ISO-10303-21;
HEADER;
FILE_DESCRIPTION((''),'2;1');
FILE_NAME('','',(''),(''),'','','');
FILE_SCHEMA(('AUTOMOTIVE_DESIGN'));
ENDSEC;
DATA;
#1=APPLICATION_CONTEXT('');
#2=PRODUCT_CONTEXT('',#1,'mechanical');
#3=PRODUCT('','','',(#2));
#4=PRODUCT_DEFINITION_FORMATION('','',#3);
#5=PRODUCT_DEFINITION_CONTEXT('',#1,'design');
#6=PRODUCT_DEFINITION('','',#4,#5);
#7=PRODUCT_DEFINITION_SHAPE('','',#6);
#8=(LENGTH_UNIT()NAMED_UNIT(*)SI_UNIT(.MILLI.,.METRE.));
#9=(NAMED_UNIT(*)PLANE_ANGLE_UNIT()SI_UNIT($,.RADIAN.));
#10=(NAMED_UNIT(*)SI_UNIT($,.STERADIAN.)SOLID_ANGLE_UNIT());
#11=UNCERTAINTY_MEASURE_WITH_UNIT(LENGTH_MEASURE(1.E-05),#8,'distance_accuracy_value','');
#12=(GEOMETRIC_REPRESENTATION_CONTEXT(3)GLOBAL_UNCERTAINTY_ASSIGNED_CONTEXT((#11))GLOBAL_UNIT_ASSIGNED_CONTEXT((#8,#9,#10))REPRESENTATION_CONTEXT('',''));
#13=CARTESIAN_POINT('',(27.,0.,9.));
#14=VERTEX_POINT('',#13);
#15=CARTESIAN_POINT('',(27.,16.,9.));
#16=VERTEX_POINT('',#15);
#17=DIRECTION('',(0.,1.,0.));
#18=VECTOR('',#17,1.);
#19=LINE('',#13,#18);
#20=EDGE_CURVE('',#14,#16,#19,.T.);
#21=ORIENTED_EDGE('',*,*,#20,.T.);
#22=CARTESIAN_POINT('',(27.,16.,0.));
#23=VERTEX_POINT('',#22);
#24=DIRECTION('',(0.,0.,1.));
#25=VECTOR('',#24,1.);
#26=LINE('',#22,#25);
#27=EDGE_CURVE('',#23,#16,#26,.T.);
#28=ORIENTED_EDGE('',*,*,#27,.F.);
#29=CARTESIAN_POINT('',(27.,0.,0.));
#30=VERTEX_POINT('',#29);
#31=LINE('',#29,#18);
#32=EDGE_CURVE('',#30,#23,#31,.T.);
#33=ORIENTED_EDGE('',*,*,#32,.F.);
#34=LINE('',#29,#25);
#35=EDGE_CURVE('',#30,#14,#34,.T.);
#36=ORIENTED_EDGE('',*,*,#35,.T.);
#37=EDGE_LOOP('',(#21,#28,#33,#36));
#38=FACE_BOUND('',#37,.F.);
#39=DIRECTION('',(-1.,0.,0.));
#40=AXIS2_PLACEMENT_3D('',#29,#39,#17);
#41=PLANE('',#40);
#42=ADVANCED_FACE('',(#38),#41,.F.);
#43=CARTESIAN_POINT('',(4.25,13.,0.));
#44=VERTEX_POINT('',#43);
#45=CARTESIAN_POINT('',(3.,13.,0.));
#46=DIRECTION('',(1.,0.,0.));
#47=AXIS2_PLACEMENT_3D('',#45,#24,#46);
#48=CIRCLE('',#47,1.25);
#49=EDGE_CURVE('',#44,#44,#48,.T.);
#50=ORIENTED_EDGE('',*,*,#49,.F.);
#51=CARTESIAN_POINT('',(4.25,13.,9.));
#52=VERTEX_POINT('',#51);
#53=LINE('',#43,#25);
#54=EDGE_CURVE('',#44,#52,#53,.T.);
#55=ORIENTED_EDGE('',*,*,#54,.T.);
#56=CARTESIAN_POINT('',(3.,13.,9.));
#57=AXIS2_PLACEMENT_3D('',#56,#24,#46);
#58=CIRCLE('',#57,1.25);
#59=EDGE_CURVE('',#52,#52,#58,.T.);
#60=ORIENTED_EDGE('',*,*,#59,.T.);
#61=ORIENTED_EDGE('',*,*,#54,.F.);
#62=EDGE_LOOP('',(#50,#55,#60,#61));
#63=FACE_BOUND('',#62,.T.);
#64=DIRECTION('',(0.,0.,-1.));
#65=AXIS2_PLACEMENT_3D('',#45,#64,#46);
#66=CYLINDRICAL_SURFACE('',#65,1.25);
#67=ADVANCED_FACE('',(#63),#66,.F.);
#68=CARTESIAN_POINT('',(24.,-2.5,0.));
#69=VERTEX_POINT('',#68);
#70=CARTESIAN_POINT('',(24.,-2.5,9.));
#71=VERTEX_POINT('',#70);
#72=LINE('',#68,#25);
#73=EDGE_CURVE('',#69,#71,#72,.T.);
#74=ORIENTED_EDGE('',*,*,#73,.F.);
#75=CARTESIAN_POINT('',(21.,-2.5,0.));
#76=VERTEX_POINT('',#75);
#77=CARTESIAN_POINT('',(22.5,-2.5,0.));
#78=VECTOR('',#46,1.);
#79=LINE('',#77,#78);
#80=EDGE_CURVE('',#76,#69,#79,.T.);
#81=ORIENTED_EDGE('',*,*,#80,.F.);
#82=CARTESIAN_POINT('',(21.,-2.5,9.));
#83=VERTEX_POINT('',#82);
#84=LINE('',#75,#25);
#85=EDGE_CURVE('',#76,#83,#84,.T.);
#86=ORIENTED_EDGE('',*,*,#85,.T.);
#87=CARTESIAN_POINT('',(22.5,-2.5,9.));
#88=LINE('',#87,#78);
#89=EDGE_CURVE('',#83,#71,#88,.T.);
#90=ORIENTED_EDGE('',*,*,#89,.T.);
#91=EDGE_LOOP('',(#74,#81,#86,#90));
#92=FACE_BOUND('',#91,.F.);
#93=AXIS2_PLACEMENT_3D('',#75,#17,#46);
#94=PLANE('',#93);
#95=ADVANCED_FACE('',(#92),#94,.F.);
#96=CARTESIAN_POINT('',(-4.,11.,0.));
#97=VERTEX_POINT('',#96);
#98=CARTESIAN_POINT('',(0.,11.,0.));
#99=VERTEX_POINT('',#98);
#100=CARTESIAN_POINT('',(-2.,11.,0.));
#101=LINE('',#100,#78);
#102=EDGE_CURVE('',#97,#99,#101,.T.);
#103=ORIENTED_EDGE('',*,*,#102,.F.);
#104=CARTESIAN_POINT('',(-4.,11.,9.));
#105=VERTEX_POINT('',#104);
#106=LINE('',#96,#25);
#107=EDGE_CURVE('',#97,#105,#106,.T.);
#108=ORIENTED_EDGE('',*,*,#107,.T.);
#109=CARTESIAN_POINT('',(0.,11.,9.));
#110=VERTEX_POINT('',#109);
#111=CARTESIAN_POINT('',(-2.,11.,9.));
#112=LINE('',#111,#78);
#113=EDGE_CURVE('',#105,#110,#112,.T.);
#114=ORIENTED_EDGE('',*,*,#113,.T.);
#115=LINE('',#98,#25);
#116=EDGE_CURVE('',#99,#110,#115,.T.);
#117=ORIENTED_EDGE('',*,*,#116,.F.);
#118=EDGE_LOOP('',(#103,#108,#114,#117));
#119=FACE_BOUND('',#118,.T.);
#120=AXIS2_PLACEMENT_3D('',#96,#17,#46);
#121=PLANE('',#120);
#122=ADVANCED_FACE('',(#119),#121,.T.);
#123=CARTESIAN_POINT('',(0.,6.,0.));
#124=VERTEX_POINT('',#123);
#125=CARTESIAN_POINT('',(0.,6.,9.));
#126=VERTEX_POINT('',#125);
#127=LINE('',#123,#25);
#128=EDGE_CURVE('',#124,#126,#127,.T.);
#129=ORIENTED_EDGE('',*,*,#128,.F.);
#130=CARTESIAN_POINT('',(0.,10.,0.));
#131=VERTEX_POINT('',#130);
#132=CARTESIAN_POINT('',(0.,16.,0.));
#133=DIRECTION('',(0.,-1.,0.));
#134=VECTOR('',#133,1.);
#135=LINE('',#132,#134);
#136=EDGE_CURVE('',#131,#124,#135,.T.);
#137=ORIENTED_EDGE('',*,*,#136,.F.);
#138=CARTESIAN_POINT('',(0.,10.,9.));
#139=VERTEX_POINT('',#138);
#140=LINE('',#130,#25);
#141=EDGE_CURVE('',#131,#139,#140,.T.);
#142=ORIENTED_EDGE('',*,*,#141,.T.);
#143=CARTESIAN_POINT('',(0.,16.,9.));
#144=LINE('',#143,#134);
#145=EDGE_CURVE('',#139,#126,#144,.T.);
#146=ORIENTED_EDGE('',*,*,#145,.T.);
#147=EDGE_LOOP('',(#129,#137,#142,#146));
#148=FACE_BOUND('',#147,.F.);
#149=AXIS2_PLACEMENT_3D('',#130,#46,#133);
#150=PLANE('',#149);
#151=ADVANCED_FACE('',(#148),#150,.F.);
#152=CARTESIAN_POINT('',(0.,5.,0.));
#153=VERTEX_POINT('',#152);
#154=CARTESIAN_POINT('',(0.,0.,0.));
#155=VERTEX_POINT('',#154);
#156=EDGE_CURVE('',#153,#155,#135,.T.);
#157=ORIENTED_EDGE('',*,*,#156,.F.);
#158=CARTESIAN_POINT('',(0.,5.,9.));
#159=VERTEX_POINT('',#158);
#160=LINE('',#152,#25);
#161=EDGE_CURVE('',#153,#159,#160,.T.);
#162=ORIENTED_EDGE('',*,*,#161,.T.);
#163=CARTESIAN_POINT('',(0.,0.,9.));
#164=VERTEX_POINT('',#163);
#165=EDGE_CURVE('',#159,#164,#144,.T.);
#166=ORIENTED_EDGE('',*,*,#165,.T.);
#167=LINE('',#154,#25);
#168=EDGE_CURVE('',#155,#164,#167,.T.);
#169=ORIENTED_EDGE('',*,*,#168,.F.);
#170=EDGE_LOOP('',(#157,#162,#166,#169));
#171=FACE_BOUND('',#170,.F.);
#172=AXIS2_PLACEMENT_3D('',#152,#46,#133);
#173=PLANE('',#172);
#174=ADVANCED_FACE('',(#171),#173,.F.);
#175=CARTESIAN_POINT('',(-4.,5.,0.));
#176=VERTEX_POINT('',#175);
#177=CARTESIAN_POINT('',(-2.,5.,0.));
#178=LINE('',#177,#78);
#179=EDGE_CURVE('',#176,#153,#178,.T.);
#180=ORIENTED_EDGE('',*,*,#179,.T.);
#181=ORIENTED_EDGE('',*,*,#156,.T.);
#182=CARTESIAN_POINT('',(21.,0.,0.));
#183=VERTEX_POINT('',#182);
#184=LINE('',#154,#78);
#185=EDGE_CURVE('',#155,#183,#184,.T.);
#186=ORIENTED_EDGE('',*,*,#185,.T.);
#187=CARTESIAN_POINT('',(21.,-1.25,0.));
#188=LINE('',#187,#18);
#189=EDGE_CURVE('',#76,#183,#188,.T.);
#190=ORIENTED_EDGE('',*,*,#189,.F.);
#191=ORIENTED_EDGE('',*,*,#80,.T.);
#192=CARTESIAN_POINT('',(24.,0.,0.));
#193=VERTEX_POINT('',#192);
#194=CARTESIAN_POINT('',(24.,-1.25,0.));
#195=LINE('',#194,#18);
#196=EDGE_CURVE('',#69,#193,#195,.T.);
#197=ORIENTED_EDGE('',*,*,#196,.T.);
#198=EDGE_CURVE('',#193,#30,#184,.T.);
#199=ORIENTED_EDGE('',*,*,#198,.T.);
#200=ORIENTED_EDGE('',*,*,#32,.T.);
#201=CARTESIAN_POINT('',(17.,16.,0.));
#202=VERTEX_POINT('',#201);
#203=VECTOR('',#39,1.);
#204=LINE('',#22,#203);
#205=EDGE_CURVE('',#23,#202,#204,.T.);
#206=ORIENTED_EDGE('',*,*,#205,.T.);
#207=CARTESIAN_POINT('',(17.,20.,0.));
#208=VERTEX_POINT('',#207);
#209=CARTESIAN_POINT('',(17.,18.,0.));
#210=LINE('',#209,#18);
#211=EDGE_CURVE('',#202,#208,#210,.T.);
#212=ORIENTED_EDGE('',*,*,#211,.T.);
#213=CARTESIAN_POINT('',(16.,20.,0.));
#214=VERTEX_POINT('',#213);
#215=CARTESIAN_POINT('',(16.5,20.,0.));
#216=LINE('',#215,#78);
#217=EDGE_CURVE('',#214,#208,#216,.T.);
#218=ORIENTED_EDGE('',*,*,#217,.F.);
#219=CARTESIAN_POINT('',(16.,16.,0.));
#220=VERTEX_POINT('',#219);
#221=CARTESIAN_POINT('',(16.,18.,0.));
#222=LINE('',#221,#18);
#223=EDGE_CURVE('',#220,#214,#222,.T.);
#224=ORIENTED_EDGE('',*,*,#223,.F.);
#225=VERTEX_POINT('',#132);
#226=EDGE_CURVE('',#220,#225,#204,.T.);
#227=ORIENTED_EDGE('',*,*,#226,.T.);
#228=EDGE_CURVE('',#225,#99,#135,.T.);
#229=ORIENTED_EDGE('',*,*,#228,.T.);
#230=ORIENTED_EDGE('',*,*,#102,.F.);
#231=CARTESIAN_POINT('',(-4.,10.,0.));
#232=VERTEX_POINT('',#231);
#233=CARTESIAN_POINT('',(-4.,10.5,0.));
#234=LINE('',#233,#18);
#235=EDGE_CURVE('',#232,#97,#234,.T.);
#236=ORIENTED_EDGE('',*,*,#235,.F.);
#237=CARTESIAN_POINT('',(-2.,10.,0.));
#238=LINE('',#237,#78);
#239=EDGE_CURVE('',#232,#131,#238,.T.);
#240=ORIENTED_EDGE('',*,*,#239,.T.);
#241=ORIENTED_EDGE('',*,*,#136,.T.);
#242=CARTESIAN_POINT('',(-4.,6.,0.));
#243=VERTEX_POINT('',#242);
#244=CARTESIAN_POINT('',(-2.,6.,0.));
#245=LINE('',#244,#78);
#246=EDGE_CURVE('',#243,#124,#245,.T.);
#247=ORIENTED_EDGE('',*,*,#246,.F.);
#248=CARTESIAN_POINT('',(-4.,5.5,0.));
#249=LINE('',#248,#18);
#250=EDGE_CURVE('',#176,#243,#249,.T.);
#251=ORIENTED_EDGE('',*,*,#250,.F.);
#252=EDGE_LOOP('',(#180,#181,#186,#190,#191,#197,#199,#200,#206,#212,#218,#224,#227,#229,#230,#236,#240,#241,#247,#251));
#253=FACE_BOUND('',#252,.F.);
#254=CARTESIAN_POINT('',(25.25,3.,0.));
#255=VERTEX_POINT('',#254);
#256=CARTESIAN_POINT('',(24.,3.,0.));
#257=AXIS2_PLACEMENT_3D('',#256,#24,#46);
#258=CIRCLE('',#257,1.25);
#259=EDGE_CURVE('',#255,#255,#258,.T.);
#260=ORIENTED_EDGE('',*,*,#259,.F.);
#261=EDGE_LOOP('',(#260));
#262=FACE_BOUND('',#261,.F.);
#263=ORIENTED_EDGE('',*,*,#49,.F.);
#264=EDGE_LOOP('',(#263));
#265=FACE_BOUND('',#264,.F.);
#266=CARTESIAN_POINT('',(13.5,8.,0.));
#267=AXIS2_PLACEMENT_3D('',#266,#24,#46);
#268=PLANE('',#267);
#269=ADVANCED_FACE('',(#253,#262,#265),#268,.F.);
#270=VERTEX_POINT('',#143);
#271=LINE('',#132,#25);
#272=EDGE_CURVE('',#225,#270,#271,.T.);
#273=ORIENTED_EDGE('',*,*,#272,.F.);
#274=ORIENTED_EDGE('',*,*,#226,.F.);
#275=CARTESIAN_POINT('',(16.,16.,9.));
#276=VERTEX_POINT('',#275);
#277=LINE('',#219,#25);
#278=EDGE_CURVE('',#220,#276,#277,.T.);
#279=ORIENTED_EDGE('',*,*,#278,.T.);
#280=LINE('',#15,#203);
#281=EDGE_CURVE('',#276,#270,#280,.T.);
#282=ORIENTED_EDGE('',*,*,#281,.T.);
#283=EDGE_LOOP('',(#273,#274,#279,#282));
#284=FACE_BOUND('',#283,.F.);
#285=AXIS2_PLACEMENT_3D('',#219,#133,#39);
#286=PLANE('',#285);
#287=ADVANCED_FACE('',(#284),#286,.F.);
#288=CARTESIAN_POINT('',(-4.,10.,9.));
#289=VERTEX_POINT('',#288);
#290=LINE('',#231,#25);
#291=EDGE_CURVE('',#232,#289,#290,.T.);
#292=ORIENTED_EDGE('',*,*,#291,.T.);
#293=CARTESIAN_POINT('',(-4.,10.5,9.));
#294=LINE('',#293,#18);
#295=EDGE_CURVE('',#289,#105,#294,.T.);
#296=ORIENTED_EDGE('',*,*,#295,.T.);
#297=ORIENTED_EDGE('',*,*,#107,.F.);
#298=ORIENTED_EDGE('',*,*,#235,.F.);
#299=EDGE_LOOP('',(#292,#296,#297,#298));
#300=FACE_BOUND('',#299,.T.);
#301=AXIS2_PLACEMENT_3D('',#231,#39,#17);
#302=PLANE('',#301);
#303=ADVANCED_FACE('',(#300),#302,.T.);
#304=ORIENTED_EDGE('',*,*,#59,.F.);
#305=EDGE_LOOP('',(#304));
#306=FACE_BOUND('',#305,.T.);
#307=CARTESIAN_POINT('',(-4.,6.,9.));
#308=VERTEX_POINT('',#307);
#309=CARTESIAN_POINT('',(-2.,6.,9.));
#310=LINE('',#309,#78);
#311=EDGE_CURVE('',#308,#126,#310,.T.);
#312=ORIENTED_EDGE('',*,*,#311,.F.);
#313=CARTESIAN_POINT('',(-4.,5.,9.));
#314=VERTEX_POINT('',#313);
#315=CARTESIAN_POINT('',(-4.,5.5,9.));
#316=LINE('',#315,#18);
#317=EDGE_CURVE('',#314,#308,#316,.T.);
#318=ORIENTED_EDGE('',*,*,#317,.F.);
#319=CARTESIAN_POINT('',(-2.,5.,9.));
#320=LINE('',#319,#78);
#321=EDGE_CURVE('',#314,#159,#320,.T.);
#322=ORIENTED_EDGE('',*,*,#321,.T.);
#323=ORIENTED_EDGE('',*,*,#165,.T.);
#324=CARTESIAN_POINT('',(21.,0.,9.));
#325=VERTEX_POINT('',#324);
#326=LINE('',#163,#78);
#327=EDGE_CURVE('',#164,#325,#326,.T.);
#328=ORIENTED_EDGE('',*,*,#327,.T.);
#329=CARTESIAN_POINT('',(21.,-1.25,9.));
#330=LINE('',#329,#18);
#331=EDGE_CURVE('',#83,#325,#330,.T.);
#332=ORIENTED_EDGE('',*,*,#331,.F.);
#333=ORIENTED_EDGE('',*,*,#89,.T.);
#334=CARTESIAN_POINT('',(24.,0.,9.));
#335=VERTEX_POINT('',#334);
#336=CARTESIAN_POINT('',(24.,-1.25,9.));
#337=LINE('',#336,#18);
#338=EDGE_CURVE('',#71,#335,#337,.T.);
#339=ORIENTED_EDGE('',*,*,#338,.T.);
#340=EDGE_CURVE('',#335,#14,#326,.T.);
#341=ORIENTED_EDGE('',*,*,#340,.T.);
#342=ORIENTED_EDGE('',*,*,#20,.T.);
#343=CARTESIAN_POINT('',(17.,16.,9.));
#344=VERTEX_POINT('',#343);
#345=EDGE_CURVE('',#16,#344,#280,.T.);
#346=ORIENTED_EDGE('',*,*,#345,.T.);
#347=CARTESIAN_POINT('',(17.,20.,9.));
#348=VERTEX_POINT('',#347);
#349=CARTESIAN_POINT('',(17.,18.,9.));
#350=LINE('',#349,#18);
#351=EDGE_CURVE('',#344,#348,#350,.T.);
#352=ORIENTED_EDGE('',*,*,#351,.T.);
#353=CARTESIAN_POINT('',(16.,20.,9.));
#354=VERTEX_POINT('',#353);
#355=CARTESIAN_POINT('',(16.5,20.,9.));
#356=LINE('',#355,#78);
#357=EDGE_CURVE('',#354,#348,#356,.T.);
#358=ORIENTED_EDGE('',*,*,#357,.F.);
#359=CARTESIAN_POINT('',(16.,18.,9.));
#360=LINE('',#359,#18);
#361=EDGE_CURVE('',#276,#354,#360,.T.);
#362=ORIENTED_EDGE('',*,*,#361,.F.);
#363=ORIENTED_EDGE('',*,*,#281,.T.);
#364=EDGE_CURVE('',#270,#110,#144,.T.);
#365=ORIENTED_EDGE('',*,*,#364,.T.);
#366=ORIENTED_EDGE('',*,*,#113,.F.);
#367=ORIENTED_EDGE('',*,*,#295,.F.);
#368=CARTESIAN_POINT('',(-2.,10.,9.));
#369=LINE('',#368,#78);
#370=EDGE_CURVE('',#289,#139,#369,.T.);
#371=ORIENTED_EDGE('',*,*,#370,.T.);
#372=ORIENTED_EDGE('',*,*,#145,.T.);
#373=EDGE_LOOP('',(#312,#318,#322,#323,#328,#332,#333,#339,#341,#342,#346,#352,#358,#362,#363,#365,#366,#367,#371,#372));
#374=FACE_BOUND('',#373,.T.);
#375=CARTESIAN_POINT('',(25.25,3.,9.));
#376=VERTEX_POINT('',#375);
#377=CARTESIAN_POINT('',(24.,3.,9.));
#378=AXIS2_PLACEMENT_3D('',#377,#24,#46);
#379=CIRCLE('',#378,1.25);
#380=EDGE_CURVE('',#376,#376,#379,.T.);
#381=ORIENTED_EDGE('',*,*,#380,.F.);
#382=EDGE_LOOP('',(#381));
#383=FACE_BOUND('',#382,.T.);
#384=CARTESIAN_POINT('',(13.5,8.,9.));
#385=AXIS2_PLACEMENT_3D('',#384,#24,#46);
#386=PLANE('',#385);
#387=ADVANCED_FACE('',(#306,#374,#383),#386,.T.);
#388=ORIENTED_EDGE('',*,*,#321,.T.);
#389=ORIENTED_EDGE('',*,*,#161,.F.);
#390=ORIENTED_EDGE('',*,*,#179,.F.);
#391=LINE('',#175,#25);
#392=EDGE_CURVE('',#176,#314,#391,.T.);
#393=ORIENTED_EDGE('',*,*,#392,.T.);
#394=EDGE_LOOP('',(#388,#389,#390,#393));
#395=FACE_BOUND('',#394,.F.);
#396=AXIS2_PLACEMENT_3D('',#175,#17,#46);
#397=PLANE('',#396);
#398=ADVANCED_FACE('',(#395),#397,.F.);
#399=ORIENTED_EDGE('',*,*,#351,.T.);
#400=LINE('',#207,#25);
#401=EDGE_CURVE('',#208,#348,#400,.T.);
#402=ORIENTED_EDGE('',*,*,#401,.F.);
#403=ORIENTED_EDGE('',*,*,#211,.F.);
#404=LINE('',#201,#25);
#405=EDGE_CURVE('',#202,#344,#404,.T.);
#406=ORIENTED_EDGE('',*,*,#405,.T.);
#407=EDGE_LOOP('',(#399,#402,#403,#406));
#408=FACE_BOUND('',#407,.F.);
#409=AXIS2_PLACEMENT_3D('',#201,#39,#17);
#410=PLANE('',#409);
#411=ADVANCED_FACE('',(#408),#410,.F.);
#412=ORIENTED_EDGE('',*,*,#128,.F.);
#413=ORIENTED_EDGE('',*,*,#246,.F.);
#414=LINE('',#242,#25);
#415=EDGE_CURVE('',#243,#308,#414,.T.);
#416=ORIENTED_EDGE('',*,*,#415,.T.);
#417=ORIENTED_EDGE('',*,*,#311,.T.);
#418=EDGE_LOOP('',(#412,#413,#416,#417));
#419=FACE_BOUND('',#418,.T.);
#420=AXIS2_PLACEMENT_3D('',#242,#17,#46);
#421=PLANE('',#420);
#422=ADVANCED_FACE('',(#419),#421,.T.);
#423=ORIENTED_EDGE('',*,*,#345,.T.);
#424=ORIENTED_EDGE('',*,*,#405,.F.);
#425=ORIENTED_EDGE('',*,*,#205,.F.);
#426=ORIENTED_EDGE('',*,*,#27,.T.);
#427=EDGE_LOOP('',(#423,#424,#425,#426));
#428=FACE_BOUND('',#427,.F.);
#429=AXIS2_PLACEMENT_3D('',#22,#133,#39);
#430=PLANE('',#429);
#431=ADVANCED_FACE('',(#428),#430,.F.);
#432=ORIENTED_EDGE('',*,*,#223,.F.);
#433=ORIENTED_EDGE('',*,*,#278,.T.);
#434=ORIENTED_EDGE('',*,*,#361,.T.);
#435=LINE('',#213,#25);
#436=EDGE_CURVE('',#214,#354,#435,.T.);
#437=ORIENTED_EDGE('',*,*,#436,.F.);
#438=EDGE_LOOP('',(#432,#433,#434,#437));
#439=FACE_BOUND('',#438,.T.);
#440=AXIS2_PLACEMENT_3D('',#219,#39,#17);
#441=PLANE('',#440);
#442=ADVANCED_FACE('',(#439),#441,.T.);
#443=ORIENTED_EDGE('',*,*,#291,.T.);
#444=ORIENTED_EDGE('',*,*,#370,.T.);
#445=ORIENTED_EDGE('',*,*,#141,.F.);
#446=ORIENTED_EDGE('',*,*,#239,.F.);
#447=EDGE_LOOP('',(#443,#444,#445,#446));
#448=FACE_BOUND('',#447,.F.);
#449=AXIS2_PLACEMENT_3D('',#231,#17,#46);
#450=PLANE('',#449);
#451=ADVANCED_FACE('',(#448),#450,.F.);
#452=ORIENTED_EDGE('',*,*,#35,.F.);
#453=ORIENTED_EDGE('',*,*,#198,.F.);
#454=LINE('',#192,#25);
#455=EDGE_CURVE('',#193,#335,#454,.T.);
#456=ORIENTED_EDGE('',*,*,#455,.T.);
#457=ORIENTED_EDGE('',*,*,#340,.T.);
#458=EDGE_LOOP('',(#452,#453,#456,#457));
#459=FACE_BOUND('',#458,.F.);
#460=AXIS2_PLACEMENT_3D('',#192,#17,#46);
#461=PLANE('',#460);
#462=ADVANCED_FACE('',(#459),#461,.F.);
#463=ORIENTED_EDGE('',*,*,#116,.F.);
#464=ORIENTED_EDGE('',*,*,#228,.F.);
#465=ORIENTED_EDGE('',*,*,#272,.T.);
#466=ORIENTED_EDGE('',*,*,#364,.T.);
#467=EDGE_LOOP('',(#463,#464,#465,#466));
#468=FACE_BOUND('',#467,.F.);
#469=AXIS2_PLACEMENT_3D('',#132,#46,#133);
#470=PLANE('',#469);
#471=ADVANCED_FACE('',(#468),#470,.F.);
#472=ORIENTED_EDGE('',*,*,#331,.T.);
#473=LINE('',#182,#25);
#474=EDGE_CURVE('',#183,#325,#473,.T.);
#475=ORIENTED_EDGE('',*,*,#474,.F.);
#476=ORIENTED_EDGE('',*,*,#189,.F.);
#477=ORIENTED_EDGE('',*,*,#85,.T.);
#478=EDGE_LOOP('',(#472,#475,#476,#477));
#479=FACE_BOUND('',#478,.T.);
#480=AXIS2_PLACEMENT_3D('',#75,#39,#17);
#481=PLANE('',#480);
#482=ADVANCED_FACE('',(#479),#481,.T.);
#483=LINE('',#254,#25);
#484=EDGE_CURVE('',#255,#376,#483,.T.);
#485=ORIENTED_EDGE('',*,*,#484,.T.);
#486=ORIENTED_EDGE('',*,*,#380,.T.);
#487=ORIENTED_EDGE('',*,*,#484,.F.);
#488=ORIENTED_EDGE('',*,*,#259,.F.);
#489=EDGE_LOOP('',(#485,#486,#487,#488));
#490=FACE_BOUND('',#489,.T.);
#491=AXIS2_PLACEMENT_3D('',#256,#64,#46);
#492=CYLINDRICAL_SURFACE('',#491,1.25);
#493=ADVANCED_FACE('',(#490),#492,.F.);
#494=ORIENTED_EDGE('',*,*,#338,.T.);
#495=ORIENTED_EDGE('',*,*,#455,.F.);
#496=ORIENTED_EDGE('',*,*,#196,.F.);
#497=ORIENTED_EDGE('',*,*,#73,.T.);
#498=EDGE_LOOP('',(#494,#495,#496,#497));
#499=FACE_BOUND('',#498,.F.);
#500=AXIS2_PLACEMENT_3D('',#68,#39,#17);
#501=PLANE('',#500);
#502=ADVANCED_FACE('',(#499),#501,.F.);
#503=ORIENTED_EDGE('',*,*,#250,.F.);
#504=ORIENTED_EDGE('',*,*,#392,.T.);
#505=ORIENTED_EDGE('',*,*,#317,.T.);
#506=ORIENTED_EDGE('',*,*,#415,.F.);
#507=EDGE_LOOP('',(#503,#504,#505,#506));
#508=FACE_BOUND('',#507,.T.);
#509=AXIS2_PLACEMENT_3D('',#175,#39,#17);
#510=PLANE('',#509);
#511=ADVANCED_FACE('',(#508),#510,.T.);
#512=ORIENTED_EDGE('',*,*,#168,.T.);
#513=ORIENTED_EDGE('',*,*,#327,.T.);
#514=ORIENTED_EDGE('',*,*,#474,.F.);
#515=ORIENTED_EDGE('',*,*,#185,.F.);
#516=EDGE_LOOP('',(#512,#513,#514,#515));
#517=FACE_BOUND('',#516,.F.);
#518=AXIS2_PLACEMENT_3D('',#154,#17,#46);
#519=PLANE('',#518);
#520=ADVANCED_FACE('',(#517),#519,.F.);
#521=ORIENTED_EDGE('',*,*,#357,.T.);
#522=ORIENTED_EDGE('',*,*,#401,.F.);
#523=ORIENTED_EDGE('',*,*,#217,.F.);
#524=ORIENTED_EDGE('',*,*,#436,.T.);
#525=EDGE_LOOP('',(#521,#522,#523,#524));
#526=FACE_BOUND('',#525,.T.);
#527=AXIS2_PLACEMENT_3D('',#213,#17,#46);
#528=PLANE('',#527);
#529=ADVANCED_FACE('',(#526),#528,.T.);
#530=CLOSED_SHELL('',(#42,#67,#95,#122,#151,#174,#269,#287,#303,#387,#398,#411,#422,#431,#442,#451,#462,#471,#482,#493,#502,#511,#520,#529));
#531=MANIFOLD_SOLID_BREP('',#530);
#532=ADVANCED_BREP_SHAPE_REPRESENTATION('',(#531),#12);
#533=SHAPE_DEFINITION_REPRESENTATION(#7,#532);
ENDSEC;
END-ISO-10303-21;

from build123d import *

# Parameters (mm, degrees)
F0_R     = 1.25
F0_W     = 4
F0_H     = 1
F0_W_2   = 1
F0_H_2   = 4
F0_W_3   = 3
F0_H_3   = 2.5
F1_DEPTH = 9


with BuildPart() as f1:
    # F0 (on Top) → F1 (new body)
    with BuildSketch(Plane.XY):
        Polygon((0, 5), (0, 0), (21, 0), (24, 0), (27, 0), (27, 16), (17, 16), (16, 16), (0, 16), (0, 11), (0, 10), (0, 6), align=None)
        with Locations((24, 3)):
            Circle(F0_R, mode=Mode.SUBTRACT)
        with Locations((3, 13)):
            Circle(F0_R, mode=Mode.SUBTRACT)
        with Locations((-2, 5.5)):
            Rectangle(F0_W, F0_H)
        with Locations((-2, 10.5)):
            Rectangle(F0_W, F0_H)
        with Locations((16.5, 18)):
            Rectangle(F0_W_2, F0_H_2)
        with Locations((22.5, -1.25)):
            Rectangle(F0_W_3, F0_H_3)
    extrude(amount=F1_DEPTH)


solid = f1.part
